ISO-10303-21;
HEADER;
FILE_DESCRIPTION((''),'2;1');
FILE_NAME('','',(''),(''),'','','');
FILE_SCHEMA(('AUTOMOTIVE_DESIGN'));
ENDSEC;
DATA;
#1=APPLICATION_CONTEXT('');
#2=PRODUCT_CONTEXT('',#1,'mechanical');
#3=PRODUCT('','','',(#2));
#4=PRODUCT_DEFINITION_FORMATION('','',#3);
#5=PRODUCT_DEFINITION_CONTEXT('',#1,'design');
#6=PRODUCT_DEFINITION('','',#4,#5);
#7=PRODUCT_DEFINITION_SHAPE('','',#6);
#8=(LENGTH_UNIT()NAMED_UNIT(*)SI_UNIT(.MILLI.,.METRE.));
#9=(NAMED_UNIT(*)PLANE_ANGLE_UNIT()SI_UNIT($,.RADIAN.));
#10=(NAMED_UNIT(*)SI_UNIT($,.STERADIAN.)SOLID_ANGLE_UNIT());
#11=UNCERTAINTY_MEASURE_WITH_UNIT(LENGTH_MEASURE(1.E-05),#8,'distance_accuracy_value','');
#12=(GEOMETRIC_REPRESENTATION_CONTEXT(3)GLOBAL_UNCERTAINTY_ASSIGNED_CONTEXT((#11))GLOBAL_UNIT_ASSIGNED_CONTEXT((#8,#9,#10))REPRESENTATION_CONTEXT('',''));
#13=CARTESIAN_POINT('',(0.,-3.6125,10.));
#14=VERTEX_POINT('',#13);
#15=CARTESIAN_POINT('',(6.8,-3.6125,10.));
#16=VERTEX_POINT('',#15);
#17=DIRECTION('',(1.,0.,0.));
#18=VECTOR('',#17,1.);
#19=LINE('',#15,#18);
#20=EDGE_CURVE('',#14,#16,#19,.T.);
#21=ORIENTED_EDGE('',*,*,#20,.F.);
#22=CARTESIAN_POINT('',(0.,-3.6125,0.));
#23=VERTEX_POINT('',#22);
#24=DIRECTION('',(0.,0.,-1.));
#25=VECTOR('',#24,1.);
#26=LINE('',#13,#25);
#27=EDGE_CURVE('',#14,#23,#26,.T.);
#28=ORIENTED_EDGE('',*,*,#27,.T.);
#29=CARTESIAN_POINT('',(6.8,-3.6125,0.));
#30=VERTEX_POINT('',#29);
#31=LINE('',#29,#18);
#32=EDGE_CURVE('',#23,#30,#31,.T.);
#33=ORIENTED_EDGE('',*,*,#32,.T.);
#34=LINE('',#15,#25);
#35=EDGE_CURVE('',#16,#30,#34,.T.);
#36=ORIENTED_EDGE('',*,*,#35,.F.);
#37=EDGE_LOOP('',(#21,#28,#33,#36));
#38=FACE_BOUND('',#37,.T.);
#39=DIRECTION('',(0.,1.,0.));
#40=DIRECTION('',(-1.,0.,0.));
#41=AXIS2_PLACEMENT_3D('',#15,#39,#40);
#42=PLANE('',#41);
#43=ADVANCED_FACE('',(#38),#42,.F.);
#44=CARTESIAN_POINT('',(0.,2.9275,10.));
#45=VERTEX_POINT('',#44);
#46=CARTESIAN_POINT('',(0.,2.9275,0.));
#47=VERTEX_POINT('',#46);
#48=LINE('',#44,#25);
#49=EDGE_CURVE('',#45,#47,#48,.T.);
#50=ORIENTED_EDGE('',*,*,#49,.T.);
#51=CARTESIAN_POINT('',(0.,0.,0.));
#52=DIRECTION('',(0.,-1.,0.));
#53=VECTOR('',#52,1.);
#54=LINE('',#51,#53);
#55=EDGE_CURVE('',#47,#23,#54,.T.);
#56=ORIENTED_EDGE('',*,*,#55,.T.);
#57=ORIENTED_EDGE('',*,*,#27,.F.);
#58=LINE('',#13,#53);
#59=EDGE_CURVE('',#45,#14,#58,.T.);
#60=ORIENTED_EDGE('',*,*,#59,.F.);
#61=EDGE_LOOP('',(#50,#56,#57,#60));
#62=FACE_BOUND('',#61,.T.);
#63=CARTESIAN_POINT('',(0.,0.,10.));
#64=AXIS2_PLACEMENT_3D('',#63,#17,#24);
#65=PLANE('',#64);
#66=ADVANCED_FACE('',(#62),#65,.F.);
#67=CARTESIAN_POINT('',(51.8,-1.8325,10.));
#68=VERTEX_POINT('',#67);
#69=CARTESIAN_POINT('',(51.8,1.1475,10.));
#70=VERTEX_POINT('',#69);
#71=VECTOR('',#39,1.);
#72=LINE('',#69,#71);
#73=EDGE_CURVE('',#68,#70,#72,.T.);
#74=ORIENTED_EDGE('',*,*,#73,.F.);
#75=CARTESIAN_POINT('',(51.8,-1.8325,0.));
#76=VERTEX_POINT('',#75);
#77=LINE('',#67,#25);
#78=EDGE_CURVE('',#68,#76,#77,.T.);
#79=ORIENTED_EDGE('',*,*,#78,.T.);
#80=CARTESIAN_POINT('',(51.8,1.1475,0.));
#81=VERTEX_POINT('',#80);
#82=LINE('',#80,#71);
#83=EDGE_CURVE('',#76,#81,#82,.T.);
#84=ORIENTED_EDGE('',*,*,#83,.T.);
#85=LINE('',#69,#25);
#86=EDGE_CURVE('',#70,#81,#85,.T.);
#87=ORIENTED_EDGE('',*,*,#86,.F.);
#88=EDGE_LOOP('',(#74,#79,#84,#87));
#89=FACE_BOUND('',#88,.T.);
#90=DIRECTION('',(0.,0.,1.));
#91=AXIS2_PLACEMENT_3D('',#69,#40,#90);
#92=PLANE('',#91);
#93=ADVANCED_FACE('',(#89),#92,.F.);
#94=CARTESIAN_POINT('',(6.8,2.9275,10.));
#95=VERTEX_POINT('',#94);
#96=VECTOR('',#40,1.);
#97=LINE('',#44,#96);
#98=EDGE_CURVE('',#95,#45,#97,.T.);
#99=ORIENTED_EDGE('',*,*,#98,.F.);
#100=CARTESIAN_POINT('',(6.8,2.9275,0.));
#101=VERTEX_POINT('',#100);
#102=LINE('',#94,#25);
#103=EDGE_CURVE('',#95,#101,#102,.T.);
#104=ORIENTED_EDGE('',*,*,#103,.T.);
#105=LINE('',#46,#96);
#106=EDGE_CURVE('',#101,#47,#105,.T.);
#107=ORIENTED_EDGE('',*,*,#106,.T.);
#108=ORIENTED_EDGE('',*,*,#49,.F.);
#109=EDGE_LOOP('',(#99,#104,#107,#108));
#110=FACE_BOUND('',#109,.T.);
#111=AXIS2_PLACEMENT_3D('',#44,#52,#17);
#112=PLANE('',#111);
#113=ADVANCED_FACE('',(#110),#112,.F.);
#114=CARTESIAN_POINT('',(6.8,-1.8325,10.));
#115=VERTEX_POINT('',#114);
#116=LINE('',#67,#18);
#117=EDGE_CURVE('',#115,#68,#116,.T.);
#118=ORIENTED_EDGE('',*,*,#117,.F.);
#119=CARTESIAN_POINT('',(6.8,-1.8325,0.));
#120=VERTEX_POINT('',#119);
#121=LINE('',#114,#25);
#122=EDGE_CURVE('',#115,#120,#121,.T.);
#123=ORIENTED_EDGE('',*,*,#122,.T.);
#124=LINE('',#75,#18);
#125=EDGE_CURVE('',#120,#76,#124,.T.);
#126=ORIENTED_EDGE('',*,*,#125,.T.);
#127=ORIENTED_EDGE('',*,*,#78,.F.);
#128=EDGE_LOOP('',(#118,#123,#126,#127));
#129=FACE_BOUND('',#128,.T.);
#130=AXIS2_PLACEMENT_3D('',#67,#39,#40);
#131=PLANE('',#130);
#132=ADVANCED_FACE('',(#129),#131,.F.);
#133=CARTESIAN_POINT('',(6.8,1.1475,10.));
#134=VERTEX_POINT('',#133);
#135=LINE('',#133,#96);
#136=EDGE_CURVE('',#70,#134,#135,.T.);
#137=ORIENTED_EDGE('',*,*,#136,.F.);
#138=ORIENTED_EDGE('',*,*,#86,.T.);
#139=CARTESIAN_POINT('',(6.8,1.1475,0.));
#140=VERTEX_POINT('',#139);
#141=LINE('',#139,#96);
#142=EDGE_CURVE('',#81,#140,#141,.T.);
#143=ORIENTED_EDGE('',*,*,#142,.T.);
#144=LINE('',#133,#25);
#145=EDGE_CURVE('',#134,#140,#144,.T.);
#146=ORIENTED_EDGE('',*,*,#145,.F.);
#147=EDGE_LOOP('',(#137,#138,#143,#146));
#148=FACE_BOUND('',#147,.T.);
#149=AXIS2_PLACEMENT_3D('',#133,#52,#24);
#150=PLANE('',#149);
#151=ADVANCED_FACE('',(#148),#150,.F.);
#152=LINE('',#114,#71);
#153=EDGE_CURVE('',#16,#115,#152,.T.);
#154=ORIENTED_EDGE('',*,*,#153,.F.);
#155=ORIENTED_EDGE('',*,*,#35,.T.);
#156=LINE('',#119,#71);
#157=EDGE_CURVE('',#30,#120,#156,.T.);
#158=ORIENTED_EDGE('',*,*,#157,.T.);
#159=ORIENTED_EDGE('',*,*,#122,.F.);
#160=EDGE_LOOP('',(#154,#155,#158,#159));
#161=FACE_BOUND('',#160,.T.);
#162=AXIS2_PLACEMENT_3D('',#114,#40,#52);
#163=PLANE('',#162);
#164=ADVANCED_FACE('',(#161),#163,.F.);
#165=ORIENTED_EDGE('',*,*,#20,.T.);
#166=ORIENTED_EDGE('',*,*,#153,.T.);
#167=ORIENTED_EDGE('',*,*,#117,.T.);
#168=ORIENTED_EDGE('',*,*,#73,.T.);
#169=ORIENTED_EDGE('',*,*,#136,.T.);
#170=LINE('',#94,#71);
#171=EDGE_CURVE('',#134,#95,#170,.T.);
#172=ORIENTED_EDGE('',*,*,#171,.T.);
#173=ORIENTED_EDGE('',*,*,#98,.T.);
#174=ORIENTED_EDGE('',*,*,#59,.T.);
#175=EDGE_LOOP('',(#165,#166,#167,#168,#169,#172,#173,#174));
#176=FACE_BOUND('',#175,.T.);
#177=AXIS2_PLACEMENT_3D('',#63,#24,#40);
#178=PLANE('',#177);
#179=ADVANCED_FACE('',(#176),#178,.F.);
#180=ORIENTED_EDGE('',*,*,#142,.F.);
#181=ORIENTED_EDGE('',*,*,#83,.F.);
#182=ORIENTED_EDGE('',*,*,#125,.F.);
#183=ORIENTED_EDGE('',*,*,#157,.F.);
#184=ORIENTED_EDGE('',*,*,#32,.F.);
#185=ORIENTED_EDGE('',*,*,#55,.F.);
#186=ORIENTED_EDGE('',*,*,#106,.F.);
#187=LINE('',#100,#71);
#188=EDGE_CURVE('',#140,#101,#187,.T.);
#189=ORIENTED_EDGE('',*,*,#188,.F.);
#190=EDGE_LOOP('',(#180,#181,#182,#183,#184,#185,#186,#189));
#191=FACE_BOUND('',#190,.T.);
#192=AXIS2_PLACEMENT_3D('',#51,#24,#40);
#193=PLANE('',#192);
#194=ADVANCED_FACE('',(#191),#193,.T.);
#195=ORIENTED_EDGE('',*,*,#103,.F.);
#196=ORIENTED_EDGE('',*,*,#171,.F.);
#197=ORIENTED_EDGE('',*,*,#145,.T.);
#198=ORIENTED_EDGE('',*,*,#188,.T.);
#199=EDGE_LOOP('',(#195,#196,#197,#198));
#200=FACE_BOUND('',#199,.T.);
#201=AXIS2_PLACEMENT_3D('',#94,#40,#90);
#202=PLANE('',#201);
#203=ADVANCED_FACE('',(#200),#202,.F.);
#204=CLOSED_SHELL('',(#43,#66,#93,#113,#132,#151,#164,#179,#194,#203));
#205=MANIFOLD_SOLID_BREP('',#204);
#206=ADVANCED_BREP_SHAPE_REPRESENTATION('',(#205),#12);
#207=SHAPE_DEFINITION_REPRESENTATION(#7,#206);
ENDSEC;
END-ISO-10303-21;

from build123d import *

# Parameters (mm, degrees)
BOSS_EXTRUDE1_DEPTH = 10


with BuildPart() as part:
    # Sketch1 → Boss-Extrude1 (new body)
    with BuildSketch(Plane.XY):
        Polygon((0, 0), (0, 2.9275), (6.8, 2.9275), (6.8, 1.1475), (51.8, 1.1475), (51.8, -1.8325), (6.8, -1.8325), (6.8, -3.6125), (0, -3.6125), align=None)
    extrude(amount=BOSS_EXTRUDE1_DEPTH)


solid = part.part
